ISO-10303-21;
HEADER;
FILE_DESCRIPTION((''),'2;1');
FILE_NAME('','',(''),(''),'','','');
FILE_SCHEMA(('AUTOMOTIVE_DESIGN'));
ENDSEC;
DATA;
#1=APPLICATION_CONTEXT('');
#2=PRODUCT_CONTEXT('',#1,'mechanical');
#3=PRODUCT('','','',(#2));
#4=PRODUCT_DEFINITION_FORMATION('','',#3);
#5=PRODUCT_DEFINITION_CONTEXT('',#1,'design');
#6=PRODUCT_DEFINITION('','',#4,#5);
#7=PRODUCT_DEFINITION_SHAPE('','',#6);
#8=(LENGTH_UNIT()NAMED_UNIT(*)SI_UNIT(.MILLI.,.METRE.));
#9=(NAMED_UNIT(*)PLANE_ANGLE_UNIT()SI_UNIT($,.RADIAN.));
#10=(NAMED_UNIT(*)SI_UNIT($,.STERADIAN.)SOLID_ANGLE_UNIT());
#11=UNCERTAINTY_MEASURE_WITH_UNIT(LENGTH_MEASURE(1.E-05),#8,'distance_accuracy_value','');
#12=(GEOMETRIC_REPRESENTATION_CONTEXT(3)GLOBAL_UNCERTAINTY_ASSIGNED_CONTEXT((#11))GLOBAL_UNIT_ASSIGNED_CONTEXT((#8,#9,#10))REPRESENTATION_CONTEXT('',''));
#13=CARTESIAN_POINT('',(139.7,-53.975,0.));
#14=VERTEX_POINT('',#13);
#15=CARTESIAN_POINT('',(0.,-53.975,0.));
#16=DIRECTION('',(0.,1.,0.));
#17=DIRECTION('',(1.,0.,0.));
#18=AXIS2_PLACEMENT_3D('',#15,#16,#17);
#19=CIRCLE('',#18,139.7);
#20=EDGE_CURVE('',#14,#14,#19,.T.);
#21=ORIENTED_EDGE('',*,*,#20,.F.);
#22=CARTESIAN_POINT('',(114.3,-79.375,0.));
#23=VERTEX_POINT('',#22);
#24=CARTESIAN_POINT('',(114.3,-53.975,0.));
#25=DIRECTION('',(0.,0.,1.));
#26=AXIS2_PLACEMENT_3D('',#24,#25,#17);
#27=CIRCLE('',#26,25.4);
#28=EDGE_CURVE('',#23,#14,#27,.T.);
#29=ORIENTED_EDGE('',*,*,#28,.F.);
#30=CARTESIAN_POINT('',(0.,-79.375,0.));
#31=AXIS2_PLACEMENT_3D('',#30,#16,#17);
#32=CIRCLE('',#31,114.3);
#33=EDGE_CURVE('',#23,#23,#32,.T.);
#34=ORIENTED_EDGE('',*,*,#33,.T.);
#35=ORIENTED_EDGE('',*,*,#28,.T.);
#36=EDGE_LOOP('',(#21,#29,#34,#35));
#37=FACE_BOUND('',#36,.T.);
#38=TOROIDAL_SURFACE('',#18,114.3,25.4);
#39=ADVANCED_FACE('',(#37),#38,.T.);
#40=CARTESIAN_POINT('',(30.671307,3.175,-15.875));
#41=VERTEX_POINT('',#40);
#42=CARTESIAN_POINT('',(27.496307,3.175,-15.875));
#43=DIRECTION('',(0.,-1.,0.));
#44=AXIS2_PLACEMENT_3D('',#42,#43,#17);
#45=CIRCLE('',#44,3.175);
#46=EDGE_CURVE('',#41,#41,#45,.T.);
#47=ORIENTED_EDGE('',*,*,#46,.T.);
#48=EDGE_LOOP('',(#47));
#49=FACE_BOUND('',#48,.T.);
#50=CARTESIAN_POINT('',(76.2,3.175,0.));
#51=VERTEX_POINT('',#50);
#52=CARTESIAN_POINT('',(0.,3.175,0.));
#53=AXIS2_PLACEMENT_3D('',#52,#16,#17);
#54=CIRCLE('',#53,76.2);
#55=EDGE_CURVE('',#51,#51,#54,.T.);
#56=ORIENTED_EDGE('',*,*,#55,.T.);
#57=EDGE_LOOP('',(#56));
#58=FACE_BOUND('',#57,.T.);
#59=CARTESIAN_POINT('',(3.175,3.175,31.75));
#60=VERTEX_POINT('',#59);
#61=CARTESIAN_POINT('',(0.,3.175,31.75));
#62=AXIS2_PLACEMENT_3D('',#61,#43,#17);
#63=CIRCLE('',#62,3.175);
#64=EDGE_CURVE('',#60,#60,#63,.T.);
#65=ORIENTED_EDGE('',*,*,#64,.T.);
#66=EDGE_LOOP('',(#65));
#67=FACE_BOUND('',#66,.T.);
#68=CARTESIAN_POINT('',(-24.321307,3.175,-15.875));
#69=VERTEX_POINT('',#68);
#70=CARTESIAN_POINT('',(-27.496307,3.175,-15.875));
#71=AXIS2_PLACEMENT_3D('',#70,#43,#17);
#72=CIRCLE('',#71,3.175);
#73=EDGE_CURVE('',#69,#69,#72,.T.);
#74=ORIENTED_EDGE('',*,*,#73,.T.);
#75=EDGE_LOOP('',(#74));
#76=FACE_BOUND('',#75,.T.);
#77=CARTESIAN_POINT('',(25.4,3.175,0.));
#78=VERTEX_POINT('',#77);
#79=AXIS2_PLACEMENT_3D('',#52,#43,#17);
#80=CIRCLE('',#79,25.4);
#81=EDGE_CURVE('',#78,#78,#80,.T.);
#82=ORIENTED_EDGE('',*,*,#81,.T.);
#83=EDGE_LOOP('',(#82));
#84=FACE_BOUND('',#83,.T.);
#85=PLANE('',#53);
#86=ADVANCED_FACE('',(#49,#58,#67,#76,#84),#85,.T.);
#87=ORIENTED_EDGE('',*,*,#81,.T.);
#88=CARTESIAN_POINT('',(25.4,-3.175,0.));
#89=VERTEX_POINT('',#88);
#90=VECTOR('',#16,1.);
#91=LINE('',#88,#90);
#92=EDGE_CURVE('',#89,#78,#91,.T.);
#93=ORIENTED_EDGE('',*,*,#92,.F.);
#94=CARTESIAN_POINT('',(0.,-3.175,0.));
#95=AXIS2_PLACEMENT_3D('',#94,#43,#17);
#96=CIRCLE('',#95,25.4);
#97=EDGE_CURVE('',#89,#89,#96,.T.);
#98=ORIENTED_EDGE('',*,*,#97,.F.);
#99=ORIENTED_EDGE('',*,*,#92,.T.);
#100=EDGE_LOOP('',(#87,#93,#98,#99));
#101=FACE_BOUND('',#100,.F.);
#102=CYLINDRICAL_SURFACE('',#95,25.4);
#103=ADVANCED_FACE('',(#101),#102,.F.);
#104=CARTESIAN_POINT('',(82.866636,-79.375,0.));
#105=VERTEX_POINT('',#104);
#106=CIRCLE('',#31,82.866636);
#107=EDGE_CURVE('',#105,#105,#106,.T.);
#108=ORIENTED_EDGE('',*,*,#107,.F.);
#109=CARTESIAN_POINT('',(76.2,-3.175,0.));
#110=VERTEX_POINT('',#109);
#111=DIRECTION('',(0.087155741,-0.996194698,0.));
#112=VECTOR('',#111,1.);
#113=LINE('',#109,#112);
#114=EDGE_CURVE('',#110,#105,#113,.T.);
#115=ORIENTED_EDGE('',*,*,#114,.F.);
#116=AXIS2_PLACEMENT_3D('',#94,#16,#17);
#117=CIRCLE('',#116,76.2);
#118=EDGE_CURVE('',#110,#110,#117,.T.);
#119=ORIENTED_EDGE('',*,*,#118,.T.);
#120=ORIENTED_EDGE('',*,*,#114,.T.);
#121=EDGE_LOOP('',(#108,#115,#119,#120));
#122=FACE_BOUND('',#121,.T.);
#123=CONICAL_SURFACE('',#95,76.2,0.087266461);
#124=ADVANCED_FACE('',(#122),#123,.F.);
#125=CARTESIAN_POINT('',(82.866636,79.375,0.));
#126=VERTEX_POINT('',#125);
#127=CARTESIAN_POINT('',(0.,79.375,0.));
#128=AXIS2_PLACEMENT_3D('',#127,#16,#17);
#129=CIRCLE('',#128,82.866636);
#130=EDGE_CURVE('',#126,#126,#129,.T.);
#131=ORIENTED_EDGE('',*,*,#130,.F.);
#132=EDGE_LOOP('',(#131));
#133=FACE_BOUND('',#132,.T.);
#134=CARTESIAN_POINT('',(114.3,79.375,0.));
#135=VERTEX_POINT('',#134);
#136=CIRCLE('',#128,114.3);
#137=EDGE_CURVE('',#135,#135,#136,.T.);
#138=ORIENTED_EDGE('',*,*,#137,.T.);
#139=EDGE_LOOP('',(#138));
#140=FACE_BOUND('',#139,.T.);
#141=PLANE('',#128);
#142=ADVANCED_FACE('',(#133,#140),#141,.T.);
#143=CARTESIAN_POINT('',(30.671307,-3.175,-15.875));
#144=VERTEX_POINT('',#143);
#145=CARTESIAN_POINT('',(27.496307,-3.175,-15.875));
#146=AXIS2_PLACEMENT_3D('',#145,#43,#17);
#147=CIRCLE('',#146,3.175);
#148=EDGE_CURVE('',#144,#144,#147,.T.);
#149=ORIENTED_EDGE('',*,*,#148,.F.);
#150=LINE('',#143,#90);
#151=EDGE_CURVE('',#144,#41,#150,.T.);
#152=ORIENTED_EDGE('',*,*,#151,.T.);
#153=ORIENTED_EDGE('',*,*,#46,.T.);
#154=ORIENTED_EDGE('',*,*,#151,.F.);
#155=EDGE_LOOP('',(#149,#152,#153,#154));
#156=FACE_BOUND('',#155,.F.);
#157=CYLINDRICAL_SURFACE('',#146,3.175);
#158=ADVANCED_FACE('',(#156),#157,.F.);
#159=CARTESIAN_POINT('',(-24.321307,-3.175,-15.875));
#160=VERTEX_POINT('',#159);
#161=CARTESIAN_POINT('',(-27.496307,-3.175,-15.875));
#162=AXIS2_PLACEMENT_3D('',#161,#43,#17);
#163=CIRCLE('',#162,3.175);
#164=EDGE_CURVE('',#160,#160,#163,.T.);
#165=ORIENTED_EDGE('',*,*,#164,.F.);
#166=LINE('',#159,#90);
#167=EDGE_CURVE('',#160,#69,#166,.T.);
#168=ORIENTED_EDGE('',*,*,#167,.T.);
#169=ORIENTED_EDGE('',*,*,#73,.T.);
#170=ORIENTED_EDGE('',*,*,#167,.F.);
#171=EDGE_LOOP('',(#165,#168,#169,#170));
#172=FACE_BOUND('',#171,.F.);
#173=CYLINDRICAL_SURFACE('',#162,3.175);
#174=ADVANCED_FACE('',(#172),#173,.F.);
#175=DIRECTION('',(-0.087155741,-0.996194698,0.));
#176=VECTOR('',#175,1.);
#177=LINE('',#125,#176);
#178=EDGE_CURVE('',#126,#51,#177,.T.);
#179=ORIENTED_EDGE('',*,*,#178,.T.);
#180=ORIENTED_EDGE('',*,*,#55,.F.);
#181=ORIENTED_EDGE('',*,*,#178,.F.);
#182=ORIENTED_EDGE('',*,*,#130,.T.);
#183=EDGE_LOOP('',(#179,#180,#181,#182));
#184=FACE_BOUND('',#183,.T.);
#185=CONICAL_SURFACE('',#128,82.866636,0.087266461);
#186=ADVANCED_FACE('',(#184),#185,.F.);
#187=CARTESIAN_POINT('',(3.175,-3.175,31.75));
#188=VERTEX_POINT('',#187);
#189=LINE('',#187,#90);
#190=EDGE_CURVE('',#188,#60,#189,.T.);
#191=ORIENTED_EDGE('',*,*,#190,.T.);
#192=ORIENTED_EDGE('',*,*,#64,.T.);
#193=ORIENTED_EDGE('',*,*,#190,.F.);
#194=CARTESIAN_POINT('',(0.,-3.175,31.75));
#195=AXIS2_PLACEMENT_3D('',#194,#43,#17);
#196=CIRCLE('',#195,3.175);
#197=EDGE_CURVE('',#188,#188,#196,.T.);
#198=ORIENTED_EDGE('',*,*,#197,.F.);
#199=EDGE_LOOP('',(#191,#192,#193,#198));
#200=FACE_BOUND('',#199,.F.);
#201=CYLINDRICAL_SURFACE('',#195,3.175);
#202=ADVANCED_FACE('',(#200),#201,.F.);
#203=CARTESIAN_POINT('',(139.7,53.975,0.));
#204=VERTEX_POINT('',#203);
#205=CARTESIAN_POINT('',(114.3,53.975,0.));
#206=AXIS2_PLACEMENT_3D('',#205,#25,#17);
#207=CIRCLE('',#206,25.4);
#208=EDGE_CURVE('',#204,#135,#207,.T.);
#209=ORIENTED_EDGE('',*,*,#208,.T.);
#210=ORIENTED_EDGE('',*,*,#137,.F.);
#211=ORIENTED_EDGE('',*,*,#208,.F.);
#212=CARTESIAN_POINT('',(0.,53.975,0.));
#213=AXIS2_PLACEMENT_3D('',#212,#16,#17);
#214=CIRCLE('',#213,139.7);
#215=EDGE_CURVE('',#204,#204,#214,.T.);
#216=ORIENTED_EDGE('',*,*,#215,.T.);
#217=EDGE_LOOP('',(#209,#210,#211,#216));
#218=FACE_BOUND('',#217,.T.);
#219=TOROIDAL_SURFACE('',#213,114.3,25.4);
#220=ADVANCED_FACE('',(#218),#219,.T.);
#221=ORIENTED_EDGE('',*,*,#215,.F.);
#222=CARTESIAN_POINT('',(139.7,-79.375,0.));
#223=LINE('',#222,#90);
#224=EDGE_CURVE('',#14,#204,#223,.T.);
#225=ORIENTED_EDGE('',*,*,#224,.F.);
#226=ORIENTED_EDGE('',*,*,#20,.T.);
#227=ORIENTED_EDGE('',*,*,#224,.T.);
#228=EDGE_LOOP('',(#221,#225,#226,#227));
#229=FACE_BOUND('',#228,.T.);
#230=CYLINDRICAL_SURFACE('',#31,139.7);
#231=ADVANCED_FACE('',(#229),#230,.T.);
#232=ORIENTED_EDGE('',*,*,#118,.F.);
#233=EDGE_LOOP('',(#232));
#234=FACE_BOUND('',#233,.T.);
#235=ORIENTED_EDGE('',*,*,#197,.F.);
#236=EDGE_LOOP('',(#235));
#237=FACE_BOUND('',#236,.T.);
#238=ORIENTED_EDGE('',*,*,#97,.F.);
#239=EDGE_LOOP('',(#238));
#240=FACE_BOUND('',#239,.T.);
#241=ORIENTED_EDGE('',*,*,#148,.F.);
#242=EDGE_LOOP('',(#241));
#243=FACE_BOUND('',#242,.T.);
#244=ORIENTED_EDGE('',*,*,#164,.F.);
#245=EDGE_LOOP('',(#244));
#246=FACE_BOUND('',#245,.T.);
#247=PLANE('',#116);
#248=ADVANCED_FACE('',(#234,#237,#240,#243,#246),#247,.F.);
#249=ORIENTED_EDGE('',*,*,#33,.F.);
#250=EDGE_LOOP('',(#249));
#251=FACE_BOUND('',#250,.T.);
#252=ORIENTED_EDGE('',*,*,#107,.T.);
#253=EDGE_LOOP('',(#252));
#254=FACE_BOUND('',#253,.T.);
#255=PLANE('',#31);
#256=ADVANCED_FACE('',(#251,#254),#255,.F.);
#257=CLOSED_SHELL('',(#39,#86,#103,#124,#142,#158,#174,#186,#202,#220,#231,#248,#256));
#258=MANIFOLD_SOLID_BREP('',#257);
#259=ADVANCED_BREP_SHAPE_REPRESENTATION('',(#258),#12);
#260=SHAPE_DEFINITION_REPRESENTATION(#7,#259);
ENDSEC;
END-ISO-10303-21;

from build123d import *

# Parameters (mm, degrees)
F2_R     = 25.4
F3_R     = 25.4
F3_R_2   = 3.175
F4_DEPTH = 82.551


with BuildPart() as f1:
    # F0 (on Top) → F1 (revolve)
    with BuildSketch(Plane.XY):
        Polygon((0, 3.175), (0, 0), (0, -3.175), (76.2, -3.175), (82.866636, -79.375), (139.7, -79.375), (139.7, 0), (139.7, 79.375), (82.866636, 79.375), (76.2, 3.175), align=None)
    revolve(axis=Axis((0, 1.5875, 0), (0, 1, 0)))

    # F2
    f2_edges = [f1.edges().sort_by_distance(p)[0] for p in [
        (-139.7, -79.375, 0),
        (-139.7, 79.375, 0),
    ]]
    fillet(f2_edges, radius=F2_R)

    # F3 (on face) → F4 (cut, through all)
    with BuildSketch(Plane.XZ.offset(3.175)):
        Circle(F3_R)
        with Locations((0, 31.75)):
            Circle(F3_R_2)
        with Locations((-27.496307, -15.875)):
            Circle(F3_R_2)
        with Locations((27.496307, -15.875)):
            Circle(F3_R_2)
    extrude(amount=-F4_DEPTH, mode=Mode.SUBTRACT)


solid = f1.part
